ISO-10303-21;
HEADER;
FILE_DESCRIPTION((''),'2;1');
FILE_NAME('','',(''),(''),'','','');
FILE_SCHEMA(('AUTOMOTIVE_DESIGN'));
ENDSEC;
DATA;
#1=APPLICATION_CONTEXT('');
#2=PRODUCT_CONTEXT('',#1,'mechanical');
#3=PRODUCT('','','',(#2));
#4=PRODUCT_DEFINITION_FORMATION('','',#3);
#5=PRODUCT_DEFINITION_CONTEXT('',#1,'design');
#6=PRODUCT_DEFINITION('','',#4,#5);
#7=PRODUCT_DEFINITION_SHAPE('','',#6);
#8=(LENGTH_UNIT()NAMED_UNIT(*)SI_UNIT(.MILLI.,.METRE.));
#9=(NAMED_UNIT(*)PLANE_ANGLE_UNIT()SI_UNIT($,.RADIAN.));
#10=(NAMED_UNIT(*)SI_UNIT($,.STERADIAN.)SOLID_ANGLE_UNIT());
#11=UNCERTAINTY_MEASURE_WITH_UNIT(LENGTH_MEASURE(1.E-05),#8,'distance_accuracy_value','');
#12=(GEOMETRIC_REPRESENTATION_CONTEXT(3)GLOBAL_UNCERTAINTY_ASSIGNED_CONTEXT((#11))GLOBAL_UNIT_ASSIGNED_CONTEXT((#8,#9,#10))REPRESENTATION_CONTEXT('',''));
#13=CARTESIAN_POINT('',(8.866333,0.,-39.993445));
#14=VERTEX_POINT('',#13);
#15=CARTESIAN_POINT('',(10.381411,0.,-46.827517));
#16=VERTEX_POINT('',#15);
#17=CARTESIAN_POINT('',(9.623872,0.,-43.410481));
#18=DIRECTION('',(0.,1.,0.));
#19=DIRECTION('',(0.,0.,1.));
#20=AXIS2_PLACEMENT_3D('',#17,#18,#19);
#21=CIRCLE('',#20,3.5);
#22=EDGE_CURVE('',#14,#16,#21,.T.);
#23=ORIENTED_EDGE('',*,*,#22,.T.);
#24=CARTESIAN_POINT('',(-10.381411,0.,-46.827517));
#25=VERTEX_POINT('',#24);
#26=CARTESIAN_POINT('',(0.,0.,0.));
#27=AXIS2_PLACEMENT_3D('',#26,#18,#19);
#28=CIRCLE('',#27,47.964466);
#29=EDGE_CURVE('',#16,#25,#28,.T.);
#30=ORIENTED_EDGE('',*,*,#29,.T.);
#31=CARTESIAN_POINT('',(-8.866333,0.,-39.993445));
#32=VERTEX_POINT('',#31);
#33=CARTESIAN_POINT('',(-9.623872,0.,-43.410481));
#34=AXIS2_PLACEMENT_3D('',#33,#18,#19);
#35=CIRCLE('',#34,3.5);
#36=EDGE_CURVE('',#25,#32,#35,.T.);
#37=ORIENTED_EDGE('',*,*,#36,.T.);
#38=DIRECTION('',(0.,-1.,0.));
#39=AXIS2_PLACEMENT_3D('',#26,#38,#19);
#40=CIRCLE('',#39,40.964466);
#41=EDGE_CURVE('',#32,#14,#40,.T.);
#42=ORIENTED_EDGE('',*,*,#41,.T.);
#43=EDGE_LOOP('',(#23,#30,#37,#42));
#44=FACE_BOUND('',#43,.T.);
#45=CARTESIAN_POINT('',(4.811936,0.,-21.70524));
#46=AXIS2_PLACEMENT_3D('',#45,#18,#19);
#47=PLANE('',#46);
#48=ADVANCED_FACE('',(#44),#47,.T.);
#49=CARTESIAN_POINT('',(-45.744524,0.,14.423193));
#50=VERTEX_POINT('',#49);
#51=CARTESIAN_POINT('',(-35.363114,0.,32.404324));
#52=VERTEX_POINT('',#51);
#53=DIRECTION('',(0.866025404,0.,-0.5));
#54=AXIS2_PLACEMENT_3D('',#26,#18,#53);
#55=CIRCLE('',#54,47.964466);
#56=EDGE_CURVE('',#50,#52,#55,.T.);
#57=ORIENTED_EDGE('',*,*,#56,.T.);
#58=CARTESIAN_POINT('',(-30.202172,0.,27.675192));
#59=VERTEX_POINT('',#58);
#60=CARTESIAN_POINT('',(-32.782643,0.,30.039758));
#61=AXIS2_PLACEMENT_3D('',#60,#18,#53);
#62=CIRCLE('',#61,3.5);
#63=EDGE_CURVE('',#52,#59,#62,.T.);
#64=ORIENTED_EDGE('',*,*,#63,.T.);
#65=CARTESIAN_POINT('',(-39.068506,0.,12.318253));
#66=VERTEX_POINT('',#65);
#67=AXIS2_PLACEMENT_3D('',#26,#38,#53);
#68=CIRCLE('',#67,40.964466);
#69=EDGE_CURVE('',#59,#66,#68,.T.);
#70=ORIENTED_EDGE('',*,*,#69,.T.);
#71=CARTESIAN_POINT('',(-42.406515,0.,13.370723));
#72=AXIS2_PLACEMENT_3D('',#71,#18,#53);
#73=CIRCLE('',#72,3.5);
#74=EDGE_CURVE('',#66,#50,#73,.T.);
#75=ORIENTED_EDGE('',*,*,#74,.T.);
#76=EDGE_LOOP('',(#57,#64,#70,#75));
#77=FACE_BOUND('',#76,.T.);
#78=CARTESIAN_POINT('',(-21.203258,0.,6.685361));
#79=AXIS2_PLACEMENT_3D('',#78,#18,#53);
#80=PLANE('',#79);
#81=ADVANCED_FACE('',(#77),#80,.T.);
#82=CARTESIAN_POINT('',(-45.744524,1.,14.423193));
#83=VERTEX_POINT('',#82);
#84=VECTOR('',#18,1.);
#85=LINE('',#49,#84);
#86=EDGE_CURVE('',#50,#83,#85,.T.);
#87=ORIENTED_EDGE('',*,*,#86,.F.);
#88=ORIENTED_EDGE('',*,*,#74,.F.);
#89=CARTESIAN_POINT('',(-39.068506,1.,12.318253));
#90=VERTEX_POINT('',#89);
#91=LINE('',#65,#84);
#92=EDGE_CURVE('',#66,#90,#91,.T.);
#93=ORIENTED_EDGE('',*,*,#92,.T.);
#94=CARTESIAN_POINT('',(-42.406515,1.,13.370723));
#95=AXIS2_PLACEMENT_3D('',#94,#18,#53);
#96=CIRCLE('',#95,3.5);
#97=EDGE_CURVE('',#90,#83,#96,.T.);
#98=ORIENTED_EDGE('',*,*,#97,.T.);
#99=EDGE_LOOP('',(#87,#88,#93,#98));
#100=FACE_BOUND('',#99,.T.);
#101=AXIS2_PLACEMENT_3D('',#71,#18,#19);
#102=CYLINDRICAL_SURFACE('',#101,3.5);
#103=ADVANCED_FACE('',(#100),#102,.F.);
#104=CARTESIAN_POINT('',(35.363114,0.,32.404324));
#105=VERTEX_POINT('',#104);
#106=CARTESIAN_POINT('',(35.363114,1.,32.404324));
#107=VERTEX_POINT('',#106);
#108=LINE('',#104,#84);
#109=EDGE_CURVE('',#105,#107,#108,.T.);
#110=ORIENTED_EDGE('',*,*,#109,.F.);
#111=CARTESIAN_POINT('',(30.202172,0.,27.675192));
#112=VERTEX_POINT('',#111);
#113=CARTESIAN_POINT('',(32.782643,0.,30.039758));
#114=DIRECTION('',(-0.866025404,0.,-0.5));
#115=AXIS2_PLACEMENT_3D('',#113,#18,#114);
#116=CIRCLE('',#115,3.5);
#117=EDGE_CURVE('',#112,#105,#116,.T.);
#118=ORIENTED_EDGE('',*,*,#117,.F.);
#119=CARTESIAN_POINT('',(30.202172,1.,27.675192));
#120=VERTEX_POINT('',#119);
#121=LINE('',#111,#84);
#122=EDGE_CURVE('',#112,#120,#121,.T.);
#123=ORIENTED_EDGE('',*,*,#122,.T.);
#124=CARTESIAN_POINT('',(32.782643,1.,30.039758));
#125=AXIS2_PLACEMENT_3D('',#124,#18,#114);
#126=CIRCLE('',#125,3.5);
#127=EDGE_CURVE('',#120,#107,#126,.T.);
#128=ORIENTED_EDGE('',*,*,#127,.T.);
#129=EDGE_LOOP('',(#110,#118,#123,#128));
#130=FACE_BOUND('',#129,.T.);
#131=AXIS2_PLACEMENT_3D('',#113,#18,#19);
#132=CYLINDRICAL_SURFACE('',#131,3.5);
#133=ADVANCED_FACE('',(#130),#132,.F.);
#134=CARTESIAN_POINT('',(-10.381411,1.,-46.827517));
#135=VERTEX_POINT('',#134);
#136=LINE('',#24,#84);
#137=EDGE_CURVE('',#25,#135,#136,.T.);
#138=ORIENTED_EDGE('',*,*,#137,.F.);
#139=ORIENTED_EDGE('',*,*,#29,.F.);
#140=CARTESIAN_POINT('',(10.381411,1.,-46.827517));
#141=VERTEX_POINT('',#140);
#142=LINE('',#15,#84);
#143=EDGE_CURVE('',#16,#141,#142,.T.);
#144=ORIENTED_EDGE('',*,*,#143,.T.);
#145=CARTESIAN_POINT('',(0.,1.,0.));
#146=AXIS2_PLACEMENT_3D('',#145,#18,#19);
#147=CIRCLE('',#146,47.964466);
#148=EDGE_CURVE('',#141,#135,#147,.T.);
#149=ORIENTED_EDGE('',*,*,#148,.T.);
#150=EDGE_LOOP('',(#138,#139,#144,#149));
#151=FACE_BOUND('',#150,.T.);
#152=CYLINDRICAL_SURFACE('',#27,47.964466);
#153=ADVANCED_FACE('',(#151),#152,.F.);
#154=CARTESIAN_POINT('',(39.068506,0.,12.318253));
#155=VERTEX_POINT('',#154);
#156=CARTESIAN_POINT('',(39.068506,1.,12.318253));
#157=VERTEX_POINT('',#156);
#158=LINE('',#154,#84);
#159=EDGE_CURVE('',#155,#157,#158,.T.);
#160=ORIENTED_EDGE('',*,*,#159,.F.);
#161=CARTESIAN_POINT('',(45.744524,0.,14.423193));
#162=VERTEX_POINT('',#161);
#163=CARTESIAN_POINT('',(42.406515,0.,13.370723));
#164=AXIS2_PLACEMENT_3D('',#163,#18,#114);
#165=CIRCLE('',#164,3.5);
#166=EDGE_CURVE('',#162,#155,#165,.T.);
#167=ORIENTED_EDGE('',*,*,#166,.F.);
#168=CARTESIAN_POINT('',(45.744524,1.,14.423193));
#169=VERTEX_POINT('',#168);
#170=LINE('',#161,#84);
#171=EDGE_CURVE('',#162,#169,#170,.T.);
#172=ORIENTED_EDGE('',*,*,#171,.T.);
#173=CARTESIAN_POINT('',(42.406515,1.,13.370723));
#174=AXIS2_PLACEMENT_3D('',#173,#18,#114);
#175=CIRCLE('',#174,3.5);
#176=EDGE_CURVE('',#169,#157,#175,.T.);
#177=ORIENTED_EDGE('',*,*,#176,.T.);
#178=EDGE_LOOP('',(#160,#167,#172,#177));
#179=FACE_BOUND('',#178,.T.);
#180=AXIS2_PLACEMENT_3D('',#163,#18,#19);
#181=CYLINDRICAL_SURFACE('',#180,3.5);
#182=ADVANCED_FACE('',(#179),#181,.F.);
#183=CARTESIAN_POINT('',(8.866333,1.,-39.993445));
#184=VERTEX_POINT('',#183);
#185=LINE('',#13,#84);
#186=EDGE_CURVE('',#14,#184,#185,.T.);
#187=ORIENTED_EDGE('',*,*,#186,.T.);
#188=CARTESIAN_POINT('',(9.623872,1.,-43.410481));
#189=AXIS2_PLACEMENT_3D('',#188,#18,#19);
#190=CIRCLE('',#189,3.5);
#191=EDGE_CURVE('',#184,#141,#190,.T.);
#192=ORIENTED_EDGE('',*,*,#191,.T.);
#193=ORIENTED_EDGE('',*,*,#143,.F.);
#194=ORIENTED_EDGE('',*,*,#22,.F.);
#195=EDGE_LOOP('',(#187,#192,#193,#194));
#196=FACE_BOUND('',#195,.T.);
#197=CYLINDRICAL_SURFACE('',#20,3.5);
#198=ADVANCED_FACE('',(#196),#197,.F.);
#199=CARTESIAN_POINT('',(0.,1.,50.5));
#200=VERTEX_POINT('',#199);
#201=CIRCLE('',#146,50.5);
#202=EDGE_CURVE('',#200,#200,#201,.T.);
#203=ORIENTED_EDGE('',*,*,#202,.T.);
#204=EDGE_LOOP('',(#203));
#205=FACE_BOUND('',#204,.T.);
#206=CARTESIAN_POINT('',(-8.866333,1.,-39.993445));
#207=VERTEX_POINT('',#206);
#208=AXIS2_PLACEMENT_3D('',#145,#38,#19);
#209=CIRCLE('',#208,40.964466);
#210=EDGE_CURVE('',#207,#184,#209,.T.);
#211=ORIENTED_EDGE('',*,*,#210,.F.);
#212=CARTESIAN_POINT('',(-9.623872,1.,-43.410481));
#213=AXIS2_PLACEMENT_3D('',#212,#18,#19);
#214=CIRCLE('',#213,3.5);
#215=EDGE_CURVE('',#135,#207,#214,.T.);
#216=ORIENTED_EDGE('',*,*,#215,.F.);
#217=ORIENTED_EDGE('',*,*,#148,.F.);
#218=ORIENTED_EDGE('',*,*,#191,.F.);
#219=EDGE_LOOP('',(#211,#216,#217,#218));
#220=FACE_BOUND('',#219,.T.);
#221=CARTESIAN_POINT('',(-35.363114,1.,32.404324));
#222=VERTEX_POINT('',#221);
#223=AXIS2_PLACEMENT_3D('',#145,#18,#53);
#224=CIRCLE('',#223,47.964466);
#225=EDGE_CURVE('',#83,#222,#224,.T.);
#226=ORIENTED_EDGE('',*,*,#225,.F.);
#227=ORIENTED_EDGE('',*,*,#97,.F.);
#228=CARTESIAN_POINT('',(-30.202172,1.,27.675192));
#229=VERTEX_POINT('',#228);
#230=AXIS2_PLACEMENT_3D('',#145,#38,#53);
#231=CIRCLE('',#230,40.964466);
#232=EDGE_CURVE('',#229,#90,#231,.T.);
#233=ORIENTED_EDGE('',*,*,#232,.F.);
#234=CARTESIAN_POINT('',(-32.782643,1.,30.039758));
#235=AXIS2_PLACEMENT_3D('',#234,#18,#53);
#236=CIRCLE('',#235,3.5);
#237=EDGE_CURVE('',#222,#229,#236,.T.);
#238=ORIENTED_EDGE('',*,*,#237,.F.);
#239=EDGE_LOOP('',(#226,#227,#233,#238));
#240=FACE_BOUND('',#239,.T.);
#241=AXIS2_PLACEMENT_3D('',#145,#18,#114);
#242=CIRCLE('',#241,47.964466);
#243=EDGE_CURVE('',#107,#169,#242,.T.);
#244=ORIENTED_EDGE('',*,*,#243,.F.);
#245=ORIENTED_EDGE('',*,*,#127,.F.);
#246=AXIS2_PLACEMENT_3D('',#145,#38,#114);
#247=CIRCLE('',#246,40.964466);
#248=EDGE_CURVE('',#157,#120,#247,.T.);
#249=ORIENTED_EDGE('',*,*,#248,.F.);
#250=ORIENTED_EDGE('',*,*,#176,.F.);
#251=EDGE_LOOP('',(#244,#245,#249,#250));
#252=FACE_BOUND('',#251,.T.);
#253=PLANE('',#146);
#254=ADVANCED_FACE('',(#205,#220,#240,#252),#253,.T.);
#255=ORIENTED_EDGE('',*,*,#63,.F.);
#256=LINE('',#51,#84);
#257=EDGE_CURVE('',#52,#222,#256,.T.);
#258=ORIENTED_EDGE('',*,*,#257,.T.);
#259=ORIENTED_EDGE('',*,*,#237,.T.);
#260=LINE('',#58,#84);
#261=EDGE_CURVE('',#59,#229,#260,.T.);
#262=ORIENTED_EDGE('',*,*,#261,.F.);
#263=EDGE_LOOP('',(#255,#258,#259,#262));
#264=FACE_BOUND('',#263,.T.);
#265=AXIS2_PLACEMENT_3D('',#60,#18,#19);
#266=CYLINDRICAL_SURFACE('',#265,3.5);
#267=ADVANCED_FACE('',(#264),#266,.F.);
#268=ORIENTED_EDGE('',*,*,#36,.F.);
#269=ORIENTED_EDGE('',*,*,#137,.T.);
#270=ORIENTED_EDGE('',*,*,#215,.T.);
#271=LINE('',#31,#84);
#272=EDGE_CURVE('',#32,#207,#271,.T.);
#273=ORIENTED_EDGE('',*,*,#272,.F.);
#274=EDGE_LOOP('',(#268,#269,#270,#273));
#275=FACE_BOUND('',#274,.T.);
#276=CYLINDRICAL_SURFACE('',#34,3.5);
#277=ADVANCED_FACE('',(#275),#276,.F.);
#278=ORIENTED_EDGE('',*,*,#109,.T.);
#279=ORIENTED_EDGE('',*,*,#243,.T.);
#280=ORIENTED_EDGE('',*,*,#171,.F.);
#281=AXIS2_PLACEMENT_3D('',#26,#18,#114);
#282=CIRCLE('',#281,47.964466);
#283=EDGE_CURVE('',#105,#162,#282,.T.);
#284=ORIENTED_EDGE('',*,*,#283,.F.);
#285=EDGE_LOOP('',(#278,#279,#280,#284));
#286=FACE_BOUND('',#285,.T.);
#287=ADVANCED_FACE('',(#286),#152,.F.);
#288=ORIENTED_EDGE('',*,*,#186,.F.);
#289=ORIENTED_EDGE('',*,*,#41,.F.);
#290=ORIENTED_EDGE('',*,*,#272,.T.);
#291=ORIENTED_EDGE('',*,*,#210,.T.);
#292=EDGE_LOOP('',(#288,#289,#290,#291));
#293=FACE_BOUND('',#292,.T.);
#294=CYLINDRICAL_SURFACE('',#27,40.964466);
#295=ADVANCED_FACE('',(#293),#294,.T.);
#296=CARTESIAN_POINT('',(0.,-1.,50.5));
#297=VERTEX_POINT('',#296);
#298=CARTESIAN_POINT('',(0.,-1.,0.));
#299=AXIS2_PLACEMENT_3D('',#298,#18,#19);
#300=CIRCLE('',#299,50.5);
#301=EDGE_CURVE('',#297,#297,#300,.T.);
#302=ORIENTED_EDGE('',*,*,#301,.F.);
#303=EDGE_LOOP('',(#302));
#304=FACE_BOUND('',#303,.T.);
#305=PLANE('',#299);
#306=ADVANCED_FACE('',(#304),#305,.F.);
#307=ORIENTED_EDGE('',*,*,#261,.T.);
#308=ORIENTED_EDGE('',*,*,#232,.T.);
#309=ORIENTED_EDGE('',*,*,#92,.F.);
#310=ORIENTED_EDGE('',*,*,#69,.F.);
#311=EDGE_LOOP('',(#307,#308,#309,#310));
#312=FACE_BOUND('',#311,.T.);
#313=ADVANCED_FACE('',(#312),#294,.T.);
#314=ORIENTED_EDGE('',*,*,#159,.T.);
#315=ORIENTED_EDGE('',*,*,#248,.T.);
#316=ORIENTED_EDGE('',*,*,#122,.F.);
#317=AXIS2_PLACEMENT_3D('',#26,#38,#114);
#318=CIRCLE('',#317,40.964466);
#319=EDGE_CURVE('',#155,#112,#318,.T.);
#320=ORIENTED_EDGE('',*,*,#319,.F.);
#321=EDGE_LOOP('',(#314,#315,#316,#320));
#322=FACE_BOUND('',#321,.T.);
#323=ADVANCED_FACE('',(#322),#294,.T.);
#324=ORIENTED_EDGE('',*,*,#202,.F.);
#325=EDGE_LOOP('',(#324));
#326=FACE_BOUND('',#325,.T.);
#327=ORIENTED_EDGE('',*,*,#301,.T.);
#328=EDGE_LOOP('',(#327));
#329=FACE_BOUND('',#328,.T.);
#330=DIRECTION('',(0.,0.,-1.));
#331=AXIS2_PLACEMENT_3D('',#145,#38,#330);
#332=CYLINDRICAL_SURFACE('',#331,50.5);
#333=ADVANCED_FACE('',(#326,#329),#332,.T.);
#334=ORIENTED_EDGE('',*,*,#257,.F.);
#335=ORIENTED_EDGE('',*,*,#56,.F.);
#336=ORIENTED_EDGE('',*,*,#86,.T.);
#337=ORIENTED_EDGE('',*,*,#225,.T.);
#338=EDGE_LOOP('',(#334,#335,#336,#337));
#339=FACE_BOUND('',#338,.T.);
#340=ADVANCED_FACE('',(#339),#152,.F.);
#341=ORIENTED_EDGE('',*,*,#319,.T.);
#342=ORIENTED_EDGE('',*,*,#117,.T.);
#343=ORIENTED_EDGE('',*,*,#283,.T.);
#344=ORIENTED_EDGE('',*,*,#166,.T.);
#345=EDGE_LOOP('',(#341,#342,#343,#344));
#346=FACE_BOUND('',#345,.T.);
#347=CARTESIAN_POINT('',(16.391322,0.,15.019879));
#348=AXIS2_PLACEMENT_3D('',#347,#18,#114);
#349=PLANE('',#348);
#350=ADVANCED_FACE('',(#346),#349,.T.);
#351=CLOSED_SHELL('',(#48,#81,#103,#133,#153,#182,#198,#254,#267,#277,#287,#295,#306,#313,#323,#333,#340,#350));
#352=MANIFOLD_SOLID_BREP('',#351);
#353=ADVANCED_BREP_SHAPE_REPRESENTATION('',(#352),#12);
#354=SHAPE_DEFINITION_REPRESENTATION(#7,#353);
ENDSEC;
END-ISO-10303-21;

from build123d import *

# Parameters (mm, degrees)
SKETCH1_R           = 50.5
BOSS_EXTRUDE1_DEPTH = 1
CUT_EXTRUDE1_DEPTH  = 1
CIRPATTERN1_COUNT   = 3


with BuildPart() as part:
    # Sketch1 → Boss-Extrude1 (new, symmetric)
    with BuildSketch(Plane(origin=(0, 0, 0), x_dir=(1, 0, 0), z_dir=(0, 1, 0))):
        with Locations(Location((0, 0, 0), (0, 0, 270))):
            Circle(SKETCH1_R)
    extrude(amount=BOSS_EXTRUDE1_DEPTH, both=True)

    # Sketch2 → Cut-Extrude1 (cut)
    with BuildSketch(Plane(origin=(0, 1, 0), x_dir=(1, 0, 0), z_dir=(0, 1, 0))):
        with BuildLine():
            ThreePointArc((10.381410523, 46.827516727), (0, 47.96446609), (-10.381410523, 46.827516727))
            ThreePointArc((-10.381410523, 46.827516727), (-13.040907899, 42.652942054), (-8.866333226, 39.993444677))
            ThreePointArc((-8.866333226, 39.993444677), (0, 40.96446609), (8.866333226, 39.993444677))
            ThreePointArc((8.866333226, 39.993444677), (13.040907899, 42.652942054), (10.381410523, 46.827516727))
        make_face()
    cut_extrude1 = extrude(amount=-CUT_EXTRUDE1_DEPTH, mode=Mode.SUBTRACT)

    # CirPattern1: Cut-Extrude1 ×3 about axis
    cirpattern1_axis = Axis((0, 0, 0), (0, 1, 0))
    for i in range(1, CIRPATTERN1_COUNT):
        add(cut_extrude1.rotate(cirpattern1_axis, i * 360 / CIRPATTERN1_COUNT), mode=Mode.SUBTRACT)


solid = part.part
